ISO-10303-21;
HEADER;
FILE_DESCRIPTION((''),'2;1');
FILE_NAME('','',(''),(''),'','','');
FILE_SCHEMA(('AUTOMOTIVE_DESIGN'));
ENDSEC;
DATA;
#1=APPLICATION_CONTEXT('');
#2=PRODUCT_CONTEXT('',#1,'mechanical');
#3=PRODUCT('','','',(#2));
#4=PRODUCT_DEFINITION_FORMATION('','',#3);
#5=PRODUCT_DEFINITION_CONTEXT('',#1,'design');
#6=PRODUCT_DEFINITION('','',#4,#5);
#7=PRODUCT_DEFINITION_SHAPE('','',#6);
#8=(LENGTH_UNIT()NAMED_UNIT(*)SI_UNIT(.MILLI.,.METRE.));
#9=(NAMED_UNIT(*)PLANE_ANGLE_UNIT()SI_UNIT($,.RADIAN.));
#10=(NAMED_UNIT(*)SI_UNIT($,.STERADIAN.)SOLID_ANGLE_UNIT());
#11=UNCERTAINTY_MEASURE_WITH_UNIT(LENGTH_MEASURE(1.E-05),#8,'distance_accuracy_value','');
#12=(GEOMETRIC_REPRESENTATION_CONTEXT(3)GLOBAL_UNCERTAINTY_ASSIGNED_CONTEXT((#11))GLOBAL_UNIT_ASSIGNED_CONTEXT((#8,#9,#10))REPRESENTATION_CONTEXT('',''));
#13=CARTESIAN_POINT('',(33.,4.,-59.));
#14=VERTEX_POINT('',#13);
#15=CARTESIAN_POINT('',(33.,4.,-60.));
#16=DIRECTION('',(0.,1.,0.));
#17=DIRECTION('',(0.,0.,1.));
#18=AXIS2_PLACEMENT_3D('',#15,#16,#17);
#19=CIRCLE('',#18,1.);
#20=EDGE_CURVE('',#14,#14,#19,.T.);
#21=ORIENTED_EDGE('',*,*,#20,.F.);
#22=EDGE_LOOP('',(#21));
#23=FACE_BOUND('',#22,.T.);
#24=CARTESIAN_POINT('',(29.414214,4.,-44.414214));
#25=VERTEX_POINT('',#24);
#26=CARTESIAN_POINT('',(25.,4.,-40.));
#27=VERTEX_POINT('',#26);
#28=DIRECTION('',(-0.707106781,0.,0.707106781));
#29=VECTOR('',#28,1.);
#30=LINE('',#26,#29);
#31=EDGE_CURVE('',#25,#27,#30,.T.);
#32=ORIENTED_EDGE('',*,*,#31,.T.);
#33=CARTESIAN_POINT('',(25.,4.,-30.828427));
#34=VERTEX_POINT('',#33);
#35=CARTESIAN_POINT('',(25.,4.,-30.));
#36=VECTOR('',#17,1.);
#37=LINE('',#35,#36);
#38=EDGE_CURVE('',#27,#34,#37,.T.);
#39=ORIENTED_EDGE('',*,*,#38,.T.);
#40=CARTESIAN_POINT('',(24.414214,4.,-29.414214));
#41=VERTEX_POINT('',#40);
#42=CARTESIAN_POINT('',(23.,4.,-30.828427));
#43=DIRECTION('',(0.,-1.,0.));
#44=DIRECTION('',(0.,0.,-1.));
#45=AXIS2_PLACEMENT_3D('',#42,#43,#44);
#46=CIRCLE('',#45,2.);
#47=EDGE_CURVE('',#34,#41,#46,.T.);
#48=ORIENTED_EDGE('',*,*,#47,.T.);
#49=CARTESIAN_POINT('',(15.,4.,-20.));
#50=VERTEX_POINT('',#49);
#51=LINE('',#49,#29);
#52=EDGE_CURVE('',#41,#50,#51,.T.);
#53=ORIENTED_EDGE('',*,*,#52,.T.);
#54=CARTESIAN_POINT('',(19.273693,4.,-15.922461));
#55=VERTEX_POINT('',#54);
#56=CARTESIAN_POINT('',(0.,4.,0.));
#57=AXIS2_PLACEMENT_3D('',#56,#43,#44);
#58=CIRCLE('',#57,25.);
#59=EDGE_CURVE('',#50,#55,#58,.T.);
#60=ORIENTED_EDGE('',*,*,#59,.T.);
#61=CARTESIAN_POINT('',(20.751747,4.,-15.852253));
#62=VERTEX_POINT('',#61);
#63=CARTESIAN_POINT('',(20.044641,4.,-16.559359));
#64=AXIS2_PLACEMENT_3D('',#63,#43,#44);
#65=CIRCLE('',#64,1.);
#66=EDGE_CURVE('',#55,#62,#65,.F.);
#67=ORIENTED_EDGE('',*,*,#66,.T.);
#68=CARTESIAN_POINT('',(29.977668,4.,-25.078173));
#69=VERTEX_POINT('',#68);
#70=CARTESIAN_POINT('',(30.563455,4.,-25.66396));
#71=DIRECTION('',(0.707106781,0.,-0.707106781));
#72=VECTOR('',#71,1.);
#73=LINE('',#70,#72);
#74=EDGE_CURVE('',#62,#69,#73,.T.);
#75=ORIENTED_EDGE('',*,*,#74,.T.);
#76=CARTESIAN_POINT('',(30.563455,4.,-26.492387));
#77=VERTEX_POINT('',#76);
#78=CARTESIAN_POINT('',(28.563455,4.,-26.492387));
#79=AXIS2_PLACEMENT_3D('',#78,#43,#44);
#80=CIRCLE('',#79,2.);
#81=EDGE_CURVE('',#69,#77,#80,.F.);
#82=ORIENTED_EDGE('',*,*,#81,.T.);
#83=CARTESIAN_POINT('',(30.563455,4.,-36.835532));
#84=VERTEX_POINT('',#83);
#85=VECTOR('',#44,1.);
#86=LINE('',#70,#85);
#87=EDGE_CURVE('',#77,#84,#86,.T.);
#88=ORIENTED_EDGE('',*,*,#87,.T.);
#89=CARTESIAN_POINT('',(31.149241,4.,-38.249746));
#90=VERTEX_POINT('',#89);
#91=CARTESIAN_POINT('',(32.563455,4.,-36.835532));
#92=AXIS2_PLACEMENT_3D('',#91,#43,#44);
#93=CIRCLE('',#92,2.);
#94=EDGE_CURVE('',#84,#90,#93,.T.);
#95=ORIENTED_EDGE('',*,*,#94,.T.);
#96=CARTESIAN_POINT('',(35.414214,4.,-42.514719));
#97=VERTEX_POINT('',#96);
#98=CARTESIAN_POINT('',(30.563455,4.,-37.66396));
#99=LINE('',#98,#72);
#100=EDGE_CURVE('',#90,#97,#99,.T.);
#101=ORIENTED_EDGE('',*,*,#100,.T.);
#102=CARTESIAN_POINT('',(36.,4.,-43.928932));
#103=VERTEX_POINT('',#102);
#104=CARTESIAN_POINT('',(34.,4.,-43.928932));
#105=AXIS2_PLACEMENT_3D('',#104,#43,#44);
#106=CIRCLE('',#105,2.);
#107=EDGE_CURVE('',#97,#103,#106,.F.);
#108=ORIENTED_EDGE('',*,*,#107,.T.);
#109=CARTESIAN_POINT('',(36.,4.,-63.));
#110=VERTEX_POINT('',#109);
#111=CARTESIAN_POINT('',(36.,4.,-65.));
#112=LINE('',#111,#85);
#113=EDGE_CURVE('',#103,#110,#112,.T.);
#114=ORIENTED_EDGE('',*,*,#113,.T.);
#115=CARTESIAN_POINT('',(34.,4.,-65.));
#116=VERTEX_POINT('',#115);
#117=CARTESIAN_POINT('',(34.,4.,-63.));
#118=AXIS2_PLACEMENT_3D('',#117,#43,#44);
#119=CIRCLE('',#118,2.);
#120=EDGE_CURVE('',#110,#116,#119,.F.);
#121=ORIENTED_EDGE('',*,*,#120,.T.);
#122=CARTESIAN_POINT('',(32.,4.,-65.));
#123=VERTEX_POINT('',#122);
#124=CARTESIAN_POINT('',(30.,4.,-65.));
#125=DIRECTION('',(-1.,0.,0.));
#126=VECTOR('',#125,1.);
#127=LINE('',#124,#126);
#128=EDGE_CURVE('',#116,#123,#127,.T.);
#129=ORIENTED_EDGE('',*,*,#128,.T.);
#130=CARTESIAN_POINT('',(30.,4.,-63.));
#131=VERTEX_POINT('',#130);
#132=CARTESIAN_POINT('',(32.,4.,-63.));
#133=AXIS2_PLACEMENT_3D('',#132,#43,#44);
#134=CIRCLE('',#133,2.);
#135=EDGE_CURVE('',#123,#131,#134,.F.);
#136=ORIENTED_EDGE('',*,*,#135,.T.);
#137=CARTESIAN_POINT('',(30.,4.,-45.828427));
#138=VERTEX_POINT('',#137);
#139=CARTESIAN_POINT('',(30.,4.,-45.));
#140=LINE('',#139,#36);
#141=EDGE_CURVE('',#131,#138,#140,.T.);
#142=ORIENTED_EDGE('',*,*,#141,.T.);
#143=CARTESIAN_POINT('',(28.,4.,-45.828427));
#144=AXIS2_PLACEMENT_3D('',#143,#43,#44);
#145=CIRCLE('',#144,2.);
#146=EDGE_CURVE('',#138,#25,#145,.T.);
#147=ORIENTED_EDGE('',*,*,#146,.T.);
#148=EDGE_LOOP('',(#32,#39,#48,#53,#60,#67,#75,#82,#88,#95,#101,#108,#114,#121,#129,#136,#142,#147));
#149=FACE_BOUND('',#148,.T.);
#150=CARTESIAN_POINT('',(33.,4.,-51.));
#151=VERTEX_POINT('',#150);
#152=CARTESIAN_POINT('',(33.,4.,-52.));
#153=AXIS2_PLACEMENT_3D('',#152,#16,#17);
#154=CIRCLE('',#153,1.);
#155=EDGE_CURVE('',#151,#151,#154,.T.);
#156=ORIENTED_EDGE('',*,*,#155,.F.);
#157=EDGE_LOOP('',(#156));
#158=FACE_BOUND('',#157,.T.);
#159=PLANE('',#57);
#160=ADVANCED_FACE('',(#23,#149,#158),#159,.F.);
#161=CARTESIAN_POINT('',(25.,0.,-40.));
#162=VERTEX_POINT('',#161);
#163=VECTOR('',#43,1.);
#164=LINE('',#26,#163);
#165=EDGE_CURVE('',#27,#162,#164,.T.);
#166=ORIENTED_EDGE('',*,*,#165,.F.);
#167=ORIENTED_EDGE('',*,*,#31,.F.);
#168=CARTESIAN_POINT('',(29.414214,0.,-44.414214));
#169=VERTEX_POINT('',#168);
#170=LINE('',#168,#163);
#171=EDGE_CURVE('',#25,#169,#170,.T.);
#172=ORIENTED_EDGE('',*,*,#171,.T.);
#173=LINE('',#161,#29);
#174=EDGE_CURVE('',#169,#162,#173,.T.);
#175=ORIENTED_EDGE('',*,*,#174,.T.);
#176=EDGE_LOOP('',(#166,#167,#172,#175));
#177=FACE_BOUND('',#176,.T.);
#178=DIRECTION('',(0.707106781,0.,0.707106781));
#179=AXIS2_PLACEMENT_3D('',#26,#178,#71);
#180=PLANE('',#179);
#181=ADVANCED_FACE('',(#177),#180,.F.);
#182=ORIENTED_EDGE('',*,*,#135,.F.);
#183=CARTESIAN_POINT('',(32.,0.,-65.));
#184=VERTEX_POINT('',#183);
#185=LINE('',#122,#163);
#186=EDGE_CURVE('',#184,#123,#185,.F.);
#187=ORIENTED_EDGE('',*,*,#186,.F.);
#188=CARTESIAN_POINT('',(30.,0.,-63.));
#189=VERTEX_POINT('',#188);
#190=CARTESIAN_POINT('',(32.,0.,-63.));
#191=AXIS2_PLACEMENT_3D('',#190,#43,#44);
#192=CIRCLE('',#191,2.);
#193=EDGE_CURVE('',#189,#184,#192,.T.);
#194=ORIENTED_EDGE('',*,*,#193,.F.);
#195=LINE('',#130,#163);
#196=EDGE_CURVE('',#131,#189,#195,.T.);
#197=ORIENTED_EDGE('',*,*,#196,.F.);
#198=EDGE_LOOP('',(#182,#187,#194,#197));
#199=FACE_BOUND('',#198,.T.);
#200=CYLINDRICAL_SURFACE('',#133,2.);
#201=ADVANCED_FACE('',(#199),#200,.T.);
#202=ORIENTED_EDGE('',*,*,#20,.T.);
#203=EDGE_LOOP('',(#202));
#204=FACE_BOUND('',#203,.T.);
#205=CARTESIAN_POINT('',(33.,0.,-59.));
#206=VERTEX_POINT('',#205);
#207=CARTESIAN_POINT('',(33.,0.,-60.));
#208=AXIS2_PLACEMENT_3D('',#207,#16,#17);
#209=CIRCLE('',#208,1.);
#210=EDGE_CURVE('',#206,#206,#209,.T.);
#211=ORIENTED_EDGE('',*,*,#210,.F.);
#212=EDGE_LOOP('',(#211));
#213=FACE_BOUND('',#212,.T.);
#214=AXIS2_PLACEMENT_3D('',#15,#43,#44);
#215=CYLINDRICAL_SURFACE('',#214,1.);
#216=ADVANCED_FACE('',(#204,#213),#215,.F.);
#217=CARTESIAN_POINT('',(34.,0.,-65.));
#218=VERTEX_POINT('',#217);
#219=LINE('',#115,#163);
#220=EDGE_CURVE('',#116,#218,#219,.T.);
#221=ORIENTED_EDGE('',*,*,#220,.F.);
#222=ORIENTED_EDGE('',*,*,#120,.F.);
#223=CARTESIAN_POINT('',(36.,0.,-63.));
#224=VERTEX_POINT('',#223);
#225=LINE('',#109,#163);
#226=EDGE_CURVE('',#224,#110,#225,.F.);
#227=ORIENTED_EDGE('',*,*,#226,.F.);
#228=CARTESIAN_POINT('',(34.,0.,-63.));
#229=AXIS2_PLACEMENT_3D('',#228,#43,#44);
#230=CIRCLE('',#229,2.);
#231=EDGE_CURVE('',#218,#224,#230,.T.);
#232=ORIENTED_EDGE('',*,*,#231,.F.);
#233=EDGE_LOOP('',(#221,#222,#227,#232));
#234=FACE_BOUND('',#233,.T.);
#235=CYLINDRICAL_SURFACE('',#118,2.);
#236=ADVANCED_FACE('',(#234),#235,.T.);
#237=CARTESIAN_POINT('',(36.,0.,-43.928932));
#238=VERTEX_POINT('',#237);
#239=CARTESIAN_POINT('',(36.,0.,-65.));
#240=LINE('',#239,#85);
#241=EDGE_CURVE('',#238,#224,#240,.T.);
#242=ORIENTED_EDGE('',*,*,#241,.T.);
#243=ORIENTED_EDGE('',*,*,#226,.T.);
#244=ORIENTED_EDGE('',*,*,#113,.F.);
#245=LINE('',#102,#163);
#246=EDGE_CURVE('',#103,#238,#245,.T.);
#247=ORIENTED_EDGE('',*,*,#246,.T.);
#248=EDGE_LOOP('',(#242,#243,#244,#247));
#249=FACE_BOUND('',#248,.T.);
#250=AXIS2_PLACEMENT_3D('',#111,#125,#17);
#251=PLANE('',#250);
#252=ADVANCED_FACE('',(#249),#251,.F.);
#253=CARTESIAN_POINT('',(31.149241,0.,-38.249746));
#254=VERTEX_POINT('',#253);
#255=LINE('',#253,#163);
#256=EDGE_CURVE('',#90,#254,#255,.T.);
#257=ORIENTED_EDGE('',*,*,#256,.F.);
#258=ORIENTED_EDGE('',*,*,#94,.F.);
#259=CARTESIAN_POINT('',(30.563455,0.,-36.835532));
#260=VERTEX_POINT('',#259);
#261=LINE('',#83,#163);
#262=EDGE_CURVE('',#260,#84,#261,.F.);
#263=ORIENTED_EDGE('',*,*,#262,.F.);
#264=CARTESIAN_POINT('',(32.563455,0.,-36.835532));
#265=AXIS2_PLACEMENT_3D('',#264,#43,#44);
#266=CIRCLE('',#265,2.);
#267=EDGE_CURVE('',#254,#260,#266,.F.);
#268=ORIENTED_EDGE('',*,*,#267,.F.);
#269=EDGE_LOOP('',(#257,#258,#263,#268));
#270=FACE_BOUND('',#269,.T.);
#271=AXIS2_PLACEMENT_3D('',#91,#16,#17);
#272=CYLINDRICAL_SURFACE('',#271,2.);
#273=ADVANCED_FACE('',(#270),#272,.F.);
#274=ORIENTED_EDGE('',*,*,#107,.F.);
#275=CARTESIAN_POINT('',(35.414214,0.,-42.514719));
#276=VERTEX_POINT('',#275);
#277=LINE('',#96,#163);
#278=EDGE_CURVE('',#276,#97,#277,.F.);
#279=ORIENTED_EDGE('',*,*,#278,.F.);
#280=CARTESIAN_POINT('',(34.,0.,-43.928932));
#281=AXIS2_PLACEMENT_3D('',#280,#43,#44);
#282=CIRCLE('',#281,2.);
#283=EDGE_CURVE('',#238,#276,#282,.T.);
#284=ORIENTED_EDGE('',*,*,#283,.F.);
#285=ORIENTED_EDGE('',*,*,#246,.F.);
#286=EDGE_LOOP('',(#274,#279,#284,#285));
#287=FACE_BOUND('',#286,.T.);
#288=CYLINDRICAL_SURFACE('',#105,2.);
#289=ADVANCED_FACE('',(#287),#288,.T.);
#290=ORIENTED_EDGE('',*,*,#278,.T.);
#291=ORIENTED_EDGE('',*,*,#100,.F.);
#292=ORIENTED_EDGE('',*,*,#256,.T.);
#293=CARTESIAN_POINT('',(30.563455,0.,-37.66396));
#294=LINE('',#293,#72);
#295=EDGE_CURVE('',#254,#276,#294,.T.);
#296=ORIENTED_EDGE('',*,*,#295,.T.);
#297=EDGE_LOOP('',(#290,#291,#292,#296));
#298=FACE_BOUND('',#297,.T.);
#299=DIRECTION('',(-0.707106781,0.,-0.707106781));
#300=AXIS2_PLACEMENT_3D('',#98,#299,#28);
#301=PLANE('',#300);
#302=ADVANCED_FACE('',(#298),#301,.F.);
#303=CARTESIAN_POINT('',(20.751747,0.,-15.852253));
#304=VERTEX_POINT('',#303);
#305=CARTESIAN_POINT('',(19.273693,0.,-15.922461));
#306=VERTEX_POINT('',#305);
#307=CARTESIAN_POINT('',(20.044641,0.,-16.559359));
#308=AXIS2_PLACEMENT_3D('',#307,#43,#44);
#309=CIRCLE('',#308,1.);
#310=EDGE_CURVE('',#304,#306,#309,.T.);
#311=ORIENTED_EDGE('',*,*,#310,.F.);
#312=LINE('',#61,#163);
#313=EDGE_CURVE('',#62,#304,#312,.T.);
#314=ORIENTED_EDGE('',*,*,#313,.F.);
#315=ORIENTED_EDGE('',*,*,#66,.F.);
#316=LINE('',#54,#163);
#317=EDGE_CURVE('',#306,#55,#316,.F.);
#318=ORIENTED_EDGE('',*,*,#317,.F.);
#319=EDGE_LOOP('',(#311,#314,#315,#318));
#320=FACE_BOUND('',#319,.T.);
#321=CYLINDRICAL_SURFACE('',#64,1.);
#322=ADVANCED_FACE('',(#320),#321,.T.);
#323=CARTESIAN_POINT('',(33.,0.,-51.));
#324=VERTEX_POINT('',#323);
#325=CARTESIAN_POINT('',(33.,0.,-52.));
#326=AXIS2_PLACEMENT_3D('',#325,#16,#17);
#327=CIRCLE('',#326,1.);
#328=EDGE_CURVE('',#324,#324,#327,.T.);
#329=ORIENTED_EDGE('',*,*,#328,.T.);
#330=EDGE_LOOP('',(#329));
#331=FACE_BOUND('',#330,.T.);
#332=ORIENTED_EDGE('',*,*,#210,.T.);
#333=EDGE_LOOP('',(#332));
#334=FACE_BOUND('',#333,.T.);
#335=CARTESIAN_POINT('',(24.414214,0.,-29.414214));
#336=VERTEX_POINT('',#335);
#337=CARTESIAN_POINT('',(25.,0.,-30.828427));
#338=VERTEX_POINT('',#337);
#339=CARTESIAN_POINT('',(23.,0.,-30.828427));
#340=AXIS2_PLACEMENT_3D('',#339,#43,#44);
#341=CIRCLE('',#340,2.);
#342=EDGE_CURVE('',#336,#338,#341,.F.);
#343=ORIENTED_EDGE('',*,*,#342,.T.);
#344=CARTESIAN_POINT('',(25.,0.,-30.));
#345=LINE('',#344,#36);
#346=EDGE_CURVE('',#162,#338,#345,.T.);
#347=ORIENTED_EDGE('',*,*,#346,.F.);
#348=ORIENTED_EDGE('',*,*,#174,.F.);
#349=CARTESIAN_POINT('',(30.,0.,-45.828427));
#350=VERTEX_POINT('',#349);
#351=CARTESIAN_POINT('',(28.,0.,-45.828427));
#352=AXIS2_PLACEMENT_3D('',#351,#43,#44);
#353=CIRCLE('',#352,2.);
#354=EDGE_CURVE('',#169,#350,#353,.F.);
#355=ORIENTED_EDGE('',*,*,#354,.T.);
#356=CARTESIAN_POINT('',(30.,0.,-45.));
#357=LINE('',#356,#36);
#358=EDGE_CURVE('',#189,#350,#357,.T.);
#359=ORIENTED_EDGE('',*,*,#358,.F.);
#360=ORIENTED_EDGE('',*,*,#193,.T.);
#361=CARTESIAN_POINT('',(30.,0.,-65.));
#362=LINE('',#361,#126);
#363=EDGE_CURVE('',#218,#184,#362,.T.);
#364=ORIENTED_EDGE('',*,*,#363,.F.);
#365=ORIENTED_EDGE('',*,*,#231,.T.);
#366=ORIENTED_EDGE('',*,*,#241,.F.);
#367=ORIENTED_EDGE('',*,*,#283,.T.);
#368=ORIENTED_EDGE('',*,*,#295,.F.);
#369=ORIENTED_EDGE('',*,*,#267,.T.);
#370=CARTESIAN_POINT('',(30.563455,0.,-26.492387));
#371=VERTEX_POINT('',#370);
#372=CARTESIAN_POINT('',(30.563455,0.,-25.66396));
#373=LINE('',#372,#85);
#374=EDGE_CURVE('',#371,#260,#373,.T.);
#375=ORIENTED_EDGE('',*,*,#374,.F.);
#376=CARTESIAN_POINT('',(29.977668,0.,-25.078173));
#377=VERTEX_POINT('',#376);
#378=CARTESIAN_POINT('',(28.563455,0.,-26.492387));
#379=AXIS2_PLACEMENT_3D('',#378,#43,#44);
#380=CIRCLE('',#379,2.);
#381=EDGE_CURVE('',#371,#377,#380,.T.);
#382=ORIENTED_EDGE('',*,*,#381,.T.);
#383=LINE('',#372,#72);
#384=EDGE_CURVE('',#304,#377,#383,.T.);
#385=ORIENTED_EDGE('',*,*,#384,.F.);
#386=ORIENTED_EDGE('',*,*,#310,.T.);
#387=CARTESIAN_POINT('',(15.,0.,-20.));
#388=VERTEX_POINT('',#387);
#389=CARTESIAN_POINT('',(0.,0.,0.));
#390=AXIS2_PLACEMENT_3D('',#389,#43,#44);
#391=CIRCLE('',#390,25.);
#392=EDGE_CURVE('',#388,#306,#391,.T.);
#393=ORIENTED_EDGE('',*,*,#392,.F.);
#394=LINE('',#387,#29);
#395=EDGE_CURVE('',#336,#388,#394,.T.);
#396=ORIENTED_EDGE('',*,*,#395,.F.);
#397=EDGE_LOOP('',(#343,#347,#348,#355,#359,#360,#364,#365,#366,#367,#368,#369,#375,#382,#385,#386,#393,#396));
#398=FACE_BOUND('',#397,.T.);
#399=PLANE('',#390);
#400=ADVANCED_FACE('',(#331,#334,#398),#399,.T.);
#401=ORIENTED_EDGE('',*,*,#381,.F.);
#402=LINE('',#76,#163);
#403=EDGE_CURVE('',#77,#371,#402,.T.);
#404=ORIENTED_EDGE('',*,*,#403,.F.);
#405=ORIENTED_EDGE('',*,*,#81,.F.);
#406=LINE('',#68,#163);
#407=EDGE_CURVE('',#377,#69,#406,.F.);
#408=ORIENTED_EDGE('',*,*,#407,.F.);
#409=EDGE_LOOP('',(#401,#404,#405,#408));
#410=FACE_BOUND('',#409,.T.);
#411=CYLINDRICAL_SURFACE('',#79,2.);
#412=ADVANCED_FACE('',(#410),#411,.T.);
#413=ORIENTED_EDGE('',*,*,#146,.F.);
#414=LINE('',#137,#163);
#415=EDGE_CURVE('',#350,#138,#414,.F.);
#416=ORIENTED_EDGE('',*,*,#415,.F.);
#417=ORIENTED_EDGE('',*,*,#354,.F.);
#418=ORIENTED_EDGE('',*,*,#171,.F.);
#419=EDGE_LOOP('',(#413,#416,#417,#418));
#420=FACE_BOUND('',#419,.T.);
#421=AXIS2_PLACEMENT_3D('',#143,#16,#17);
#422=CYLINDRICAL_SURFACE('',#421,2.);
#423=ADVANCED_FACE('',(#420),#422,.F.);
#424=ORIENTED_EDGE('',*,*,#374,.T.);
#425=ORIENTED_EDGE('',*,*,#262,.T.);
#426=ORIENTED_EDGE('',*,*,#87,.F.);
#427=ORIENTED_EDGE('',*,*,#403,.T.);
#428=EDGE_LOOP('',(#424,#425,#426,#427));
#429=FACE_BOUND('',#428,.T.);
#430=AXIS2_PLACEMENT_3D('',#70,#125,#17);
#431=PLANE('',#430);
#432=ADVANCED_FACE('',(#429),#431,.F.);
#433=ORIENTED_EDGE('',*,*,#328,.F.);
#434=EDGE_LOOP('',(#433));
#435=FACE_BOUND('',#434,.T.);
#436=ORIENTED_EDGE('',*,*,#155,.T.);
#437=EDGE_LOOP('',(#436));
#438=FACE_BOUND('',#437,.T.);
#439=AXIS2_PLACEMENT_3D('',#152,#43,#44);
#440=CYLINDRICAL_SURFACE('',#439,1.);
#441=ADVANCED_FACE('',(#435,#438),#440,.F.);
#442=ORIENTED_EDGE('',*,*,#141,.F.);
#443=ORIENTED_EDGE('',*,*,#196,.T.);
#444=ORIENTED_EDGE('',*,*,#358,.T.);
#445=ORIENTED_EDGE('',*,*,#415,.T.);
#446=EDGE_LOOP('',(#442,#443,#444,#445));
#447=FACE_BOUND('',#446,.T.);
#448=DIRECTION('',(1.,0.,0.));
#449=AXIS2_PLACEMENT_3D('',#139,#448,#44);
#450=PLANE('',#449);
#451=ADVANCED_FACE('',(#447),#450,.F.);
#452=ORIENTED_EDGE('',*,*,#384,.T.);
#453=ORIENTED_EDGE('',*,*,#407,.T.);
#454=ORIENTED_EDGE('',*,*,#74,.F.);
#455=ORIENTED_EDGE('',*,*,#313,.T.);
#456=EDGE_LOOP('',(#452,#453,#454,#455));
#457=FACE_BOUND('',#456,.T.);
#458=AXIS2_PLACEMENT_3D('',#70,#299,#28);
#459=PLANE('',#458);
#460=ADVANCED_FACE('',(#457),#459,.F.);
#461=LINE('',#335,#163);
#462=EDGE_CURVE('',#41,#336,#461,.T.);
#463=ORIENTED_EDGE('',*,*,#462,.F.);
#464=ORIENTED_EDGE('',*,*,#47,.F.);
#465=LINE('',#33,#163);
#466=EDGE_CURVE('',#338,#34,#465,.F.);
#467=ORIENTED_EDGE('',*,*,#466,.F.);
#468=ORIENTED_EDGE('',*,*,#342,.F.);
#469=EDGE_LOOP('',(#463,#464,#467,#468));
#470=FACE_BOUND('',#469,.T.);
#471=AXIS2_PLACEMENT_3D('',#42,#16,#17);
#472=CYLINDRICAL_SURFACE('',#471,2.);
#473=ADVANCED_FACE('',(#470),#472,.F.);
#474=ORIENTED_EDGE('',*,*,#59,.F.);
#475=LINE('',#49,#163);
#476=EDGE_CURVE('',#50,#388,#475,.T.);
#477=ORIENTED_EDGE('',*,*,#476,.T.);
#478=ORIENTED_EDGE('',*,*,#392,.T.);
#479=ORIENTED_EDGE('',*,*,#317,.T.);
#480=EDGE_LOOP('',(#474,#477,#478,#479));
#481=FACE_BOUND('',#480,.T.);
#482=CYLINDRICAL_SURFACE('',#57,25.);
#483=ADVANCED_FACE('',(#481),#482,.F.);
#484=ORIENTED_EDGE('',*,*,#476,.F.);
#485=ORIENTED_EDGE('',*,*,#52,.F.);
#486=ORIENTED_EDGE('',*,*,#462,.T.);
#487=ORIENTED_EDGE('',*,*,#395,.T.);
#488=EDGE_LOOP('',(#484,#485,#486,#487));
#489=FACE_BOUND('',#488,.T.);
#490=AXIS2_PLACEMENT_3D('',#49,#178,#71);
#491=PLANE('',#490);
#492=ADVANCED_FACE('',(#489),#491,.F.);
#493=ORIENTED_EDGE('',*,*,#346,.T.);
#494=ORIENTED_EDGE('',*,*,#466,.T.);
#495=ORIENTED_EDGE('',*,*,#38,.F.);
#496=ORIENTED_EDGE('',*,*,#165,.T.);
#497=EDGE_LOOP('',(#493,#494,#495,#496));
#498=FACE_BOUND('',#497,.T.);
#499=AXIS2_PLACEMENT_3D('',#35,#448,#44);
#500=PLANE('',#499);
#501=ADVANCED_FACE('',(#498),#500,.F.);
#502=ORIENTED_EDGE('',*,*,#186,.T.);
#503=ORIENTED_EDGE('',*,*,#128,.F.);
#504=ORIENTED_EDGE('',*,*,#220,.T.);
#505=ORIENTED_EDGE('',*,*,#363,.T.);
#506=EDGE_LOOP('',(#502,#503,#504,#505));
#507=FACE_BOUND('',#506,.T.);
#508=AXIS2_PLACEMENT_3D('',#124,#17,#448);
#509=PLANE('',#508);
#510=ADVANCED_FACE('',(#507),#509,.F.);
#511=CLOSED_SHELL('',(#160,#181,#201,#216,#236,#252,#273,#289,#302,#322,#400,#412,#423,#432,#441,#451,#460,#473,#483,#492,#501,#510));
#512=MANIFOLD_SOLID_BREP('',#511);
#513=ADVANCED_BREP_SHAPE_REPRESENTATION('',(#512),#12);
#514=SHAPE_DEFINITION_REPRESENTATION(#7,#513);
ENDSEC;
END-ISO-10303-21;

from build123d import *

# Parameters (mm, degrees)
SKETCH_1_R      = 1
EXTRUDE_1_DEPTH = 4
FILLET_1_R      = 2
FILLET_2_R      = 1


with BuildPart() as part:
    # 草图1 → 凸台-拉伸1 (new body)
    with BuildSketch(Plane(origin=(0, 0, 0), x_dir=(1, 0, 0), z_dir=(0, 1, 0))):
        with BuildLine():
            Line((15, 20), (25, 30))
            Line((25, 30), (25, 40))
            Line((25, 40), (30, 45))
            Line((30, 45), (30, 65))
            Line((30, 65), (36, 65))
            Line((36, 65), (36, 43.100505063))
            Line((36, 43.100505063), (30.563454525, 37.663959588))
            Line((30.563454525, 37.663959588), (30.563454525, 25.663959588))
            Line((30.563454525, 25.663959588), (19.956852807, 15.05735787))
            ThreePointArc((19.956852807, 15.05735787), (17.652275132, 17.7030275), (15, 20))
        make_face()
        with Locations(Location((33, 60, 0), (0, 0, 270))):
            Circle(SKETCH_1_R, mode=Mode.SUBTRACT)
        with Locations(Location((33, 52, 0), (0, 0, 270))):
            Circle(SKETCH_1_R, mode=Mode.SUBTRACT)
    extrude(amount=EXTRUDE_1_DEPTH)

    # 圆角1
    fillet_1_edges = [part.edges().sort_by_distance(p)[0] for p in [
        (30, 2, -45),
        (30, 2, -65),
        (36, 2, -65),
        (36, 2, -43.100505063),
        (30.563454525, 2, -37.663959588),
        (30.563454525, 2, -25.663959588),
        (25, 2, -30),
    ]]
    fillet(fillet_1_edges, radius=FILLET_1_R)

    # 圆角2
    fillet_2_edges = [part.edges().sort_by_distance(p)[0] for p in [
        (19.956852807, 2, -15.05735787),
    ]]
    fillet(fillet_2_edges, radius=FILLET_2_R)


solid = part.part
